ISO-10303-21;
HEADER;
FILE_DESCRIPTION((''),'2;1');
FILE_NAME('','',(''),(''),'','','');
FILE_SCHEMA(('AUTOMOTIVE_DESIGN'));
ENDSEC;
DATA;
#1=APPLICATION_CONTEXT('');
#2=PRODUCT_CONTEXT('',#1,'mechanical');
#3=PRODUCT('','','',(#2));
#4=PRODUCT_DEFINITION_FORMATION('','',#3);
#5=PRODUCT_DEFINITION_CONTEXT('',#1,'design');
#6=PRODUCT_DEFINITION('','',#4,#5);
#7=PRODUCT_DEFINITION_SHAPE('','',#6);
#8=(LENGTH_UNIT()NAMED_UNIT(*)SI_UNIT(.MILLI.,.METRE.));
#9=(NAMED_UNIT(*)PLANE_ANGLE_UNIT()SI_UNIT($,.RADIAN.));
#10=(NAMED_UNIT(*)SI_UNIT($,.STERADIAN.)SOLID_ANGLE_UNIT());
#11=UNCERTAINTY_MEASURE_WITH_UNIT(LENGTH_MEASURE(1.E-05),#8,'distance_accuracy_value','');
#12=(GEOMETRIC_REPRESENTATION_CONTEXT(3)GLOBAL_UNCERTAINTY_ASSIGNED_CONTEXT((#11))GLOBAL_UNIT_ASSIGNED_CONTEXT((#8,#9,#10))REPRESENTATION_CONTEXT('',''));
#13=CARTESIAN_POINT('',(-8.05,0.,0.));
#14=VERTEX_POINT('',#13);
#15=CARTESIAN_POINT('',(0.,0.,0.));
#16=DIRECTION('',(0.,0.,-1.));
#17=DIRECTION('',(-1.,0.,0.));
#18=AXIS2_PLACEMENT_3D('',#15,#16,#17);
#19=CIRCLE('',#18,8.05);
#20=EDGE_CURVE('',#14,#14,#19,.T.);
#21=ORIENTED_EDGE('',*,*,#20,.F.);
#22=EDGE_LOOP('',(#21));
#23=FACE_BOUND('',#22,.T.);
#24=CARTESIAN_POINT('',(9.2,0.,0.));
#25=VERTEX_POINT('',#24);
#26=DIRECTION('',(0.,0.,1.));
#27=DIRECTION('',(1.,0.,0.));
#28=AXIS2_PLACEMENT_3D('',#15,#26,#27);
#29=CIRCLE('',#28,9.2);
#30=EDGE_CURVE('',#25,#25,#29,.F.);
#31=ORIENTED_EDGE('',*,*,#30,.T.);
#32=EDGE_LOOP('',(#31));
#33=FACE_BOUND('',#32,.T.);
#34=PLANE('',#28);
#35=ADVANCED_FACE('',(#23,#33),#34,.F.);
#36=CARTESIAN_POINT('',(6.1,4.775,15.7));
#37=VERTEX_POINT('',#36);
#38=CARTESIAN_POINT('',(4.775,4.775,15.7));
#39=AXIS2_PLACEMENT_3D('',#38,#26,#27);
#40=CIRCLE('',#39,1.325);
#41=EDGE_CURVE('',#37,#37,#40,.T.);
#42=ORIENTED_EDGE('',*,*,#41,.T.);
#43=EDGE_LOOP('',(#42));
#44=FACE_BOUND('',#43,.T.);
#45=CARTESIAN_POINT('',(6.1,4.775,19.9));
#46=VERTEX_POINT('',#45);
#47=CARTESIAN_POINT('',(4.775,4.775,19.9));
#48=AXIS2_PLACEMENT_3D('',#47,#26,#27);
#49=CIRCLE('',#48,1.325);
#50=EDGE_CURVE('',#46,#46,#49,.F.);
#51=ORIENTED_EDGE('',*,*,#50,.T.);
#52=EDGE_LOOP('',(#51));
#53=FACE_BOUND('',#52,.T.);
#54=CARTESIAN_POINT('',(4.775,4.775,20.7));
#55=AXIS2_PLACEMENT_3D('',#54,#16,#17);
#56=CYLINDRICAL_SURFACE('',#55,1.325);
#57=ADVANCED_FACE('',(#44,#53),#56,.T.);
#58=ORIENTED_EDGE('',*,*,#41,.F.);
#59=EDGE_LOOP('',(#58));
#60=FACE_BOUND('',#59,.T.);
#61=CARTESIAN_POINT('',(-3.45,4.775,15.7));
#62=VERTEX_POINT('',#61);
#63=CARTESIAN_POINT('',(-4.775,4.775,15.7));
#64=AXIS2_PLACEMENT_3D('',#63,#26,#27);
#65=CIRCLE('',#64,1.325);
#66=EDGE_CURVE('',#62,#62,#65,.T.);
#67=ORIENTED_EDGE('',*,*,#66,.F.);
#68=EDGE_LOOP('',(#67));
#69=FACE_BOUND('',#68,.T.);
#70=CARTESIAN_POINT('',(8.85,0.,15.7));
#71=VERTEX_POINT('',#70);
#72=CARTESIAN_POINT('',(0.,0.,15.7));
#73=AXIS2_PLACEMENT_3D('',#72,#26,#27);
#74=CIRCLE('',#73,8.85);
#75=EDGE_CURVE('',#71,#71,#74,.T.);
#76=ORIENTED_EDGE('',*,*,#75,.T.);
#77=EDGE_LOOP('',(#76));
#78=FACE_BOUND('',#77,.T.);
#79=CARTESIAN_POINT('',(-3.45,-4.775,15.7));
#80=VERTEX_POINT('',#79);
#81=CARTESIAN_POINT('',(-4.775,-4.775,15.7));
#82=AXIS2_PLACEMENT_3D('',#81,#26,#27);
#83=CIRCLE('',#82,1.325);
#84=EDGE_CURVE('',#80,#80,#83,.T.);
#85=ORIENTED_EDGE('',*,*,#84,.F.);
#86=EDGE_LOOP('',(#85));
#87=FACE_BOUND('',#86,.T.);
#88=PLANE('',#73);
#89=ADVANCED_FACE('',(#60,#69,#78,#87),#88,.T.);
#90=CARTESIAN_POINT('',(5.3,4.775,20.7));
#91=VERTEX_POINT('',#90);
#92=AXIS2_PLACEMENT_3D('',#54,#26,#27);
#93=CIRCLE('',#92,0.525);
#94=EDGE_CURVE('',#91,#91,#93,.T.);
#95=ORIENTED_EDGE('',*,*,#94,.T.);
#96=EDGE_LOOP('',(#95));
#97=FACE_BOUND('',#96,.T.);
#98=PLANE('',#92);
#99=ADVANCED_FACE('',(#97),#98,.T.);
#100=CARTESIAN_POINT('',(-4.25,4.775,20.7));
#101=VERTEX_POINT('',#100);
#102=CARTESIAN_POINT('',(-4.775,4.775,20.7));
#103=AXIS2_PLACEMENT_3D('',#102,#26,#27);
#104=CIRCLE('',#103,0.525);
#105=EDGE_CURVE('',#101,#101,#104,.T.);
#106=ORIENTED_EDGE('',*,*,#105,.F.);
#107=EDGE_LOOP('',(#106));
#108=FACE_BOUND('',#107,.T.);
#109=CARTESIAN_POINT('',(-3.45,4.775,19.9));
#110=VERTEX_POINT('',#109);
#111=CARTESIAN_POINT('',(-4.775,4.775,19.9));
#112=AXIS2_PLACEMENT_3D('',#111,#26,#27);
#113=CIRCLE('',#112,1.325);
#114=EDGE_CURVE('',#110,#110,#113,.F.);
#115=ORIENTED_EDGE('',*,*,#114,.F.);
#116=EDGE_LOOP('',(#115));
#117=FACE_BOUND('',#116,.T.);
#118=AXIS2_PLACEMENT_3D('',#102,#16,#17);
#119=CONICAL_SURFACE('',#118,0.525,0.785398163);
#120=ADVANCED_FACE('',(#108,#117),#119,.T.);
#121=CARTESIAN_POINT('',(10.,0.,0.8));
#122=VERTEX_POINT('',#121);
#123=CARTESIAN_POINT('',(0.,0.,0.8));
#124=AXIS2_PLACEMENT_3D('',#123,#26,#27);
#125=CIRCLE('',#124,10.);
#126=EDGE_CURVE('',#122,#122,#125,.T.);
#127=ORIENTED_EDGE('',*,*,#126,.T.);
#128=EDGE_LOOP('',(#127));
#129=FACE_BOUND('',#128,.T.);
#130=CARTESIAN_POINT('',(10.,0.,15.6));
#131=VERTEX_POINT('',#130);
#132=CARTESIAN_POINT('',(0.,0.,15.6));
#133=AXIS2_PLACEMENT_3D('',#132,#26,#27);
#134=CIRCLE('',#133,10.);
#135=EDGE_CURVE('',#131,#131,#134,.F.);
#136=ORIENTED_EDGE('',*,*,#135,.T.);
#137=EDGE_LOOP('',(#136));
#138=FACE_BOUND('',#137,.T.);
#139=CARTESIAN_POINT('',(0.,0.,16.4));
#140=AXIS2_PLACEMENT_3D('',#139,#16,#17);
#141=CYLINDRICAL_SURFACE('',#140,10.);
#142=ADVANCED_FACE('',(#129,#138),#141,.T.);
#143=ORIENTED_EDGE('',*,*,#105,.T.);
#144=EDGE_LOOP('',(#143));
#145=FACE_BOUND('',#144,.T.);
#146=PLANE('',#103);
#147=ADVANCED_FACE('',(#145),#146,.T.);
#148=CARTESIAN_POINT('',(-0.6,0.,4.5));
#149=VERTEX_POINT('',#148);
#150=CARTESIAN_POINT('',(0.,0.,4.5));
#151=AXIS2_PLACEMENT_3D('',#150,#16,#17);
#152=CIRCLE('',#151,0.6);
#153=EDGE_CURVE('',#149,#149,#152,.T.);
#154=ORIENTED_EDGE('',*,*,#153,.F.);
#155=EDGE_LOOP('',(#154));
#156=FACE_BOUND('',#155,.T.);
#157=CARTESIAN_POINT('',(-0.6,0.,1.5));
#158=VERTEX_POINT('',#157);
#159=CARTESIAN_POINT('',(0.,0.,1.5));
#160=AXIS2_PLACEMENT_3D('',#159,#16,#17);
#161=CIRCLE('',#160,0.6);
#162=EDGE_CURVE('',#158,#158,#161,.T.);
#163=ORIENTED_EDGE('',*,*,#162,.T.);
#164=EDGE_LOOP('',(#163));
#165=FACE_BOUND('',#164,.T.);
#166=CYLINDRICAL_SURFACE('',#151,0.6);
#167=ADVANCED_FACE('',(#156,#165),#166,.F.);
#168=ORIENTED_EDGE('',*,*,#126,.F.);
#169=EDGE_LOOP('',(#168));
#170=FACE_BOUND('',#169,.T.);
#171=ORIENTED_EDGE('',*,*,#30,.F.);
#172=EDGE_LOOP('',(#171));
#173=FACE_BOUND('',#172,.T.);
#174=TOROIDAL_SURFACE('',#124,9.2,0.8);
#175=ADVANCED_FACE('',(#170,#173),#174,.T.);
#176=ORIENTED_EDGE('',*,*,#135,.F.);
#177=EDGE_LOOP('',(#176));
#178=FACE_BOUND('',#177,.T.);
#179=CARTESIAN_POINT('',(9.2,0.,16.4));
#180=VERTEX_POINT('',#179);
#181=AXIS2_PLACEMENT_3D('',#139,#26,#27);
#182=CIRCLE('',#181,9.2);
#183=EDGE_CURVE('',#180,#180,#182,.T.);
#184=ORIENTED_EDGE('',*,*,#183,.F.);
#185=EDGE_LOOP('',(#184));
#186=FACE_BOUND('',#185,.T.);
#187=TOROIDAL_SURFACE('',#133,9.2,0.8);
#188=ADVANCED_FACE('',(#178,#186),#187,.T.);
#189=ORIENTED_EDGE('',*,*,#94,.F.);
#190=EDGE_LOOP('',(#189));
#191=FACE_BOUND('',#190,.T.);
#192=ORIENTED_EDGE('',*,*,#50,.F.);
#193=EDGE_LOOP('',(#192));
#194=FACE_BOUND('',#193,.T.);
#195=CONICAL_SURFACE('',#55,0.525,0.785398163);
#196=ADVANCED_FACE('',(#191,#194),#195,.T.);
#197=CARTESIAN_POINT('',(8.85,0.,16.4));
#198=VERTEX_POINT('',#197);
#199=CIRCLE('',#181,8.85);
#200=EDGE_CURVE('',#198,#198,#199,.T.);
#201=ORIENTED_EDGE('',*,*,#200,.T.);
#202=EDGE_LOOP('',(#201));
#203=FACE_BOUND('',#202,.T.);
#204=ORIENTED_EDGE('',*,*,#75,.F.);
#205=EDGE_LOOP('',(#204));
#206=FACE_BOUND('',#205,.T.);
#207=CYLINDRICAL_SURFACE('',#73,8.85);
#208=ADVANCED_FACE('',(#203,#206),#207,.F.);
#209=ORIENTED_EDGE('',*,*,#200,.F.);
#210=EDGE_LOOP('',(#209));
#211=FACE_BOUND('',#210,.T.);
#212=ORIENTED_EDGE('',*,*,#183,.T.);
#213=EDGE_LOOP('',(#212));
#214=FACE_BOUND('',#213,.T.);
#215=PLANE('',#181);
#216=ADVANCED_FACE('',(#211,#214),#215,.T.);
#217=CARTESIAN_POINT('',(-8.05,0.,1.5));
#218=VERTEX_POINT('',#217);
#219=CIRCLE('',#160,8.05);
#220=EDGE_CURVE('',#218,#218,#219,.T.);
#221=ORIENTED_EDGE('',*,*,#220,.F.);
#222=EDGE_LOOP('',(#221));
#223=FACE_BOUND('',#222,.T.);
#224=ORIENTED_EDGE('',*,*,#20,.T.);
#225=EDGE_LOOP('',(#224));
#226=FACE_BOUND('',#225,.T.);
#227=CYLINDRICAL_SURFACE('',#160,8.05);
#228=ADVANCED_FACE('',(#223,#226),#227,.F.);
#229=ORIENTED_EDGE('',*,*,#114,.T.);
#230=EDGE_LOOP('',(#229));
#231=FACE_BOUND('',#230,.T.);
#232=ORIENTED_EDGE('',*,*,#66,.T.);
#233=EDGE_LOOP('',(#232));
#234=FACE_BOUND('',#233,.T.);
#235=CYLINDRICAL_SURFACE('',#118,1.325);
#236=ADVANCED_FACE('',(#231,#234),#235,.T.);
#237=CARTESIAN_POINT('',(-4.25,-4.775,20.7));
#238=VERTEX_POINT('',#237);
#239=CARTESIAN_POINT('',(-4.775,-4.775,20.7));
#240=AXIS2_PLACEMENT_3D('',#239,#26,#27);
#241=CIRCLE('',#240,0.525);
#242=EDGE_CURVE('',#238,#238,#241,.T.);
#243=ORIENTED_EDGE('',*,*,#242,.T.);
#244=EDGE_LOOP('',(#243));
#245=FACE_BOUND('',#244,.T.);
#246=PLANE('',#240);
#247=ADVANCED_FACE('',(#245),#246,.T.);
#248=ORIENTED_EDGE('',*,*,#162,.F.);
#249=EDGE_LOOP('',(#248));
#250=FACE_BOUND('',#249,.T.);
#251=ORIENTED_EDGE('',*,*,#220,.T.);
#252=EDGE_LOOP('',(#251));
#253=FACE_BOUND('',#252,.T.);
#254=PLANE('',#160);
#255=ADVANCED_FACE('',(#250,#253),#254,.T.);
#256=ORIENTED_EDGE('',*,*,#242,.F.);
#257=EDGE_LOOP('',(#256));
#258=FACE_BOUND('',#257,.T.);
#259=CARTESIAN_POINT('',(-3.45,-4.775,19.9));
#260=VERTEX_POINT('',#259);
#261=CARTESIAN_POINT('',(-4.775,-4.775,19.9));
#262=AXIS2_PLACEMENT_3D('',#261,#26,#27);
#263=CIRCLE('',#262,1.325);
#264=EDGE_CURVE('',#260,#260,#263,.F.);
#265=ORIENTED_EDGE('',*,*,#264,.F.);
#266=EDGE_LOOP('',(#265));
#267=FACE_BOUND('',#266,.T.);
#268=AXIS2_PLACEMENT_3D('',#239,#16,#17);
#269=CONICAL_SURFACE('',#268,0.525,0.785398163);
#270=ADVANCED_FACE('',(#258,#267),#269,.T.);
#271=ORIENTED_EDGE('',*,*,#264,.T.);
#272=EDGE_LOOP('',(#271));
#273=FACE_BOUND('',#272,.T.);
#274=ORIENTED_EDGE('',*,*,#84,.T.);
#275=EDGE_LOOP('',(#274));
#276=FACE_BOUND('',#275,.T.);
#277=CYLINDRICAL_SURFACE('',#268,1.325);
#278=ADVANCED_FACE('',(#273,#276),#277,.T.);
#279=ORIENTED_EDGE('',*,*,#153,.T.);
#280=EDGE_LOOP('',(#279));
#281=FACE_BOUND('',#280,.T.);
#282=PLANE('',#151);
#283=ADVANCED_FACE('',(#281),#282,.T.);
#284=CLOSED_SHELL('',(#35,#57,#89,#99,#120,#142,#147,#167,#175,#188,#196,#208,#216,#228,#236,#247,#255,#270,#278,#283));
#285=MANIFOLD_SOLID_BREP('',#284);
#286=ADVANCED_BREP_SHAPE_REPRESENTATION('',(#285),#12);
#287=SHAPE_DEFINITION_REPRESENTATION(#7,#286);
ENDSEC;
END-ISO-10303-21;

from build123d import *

# Parameters (mm, degrees)
SKETCH_1_R          = 10
EXTRUDE_1_DEPTH     = 16.4
SKETCH_2_R          = 8.85
CUT_EXTRUDE_1_DEPTH = 0.7
SKETCH_3_R          = 1.325
EXTRUDE_2_DEPTH     = 5
CHAMFER_1_SIZE      = 0.8
SKETCH_4_R          = 8.05
CUT_EXTRUDE_2_DEPTH = 1.5
SKETCH_5_R          = 0.6
CUT_EXTRUDE_3_DEPTH = 3
FILLET_1_R          = 0.8


with BuildPart() as part:
    # Эскиз1 → Бобышка-Вытянуть1 (new body)
    with BuildSketch(Plane.XY):
        Circle(SKETCH_1_R)
    extrude(amount=EXTRUDE_1_DEPTH)

    # Эскиз2 → Вырез-Вытянуть1 (cut)
    with BuildSketch(Plane.XY.offset(16.4)):
        Circle(SKETCH_2_R)
    extrude(amount=-CUT_EXTRUDE_1_DEPTH, mode=Mode.SUBTRACT)

    # Эскиз3 → Бобышка-Вытянуть2 (add)
    with BuildSketch(Plane.XY.offset(15.7)):
        with Locations((-4.775, 4.775)):
            Circle(SKETCH_3_R)
        with Locations((-4.775, -4.775)):
            Circle(SKETCH_3_R)
        with Locations((4.775, 4.775)):
            Circle(SKETCH_3_R)
    extrude(amount=EXTRUDE_2_DEPTH)

    # Фаска1
    chamfer_1_edges = [part.edges().sort_by_distance(p)[0] for p in [
        (-6.1, 4.775, 20.7),
        (-6.1, -4.775, 20.7),
        (3.45, 4.775, 20.7),
    ]]
    chamfer(chamfer_1_edges, length=CHAMFER_1_SIZE)

    # Эскиз4 → Вырез-Вытянуть2 (cut)
    with BuildSketch(Plane(origin=(0, 0, 0), x_dir=(-1, 0, 0), z_dir=(0, 0, -1))):
        Circle(SKETCH_4_R)
    extrude(amount=-CUT_EXTRUDE_2_DEPTH, mode=Mode.SUBTRACT)

    # Эскиз5 → Вырез-Вытянуть3 (cut)
    with BuildSketch(Plane(origin=(0, 0, 1.5), x_dir=(-1, 0, 0), z_dir=(0, 0, -1))):
        Circle(SKETCH_5_R)
    extrude(amount=-CUT_EXTRUDE_3_DEPTH, mode=Mode.SUBTRACT)

    # Скругление1
    fillet_1_edges = [part.edges().sort_by_distance(p)[0] for p in [
        (-10, 0, 0),
        (-10, 0, 16.4),
    ]]
    fillet(fillet_1_edges, radius=FILLET_1_R)


solid = part.part
